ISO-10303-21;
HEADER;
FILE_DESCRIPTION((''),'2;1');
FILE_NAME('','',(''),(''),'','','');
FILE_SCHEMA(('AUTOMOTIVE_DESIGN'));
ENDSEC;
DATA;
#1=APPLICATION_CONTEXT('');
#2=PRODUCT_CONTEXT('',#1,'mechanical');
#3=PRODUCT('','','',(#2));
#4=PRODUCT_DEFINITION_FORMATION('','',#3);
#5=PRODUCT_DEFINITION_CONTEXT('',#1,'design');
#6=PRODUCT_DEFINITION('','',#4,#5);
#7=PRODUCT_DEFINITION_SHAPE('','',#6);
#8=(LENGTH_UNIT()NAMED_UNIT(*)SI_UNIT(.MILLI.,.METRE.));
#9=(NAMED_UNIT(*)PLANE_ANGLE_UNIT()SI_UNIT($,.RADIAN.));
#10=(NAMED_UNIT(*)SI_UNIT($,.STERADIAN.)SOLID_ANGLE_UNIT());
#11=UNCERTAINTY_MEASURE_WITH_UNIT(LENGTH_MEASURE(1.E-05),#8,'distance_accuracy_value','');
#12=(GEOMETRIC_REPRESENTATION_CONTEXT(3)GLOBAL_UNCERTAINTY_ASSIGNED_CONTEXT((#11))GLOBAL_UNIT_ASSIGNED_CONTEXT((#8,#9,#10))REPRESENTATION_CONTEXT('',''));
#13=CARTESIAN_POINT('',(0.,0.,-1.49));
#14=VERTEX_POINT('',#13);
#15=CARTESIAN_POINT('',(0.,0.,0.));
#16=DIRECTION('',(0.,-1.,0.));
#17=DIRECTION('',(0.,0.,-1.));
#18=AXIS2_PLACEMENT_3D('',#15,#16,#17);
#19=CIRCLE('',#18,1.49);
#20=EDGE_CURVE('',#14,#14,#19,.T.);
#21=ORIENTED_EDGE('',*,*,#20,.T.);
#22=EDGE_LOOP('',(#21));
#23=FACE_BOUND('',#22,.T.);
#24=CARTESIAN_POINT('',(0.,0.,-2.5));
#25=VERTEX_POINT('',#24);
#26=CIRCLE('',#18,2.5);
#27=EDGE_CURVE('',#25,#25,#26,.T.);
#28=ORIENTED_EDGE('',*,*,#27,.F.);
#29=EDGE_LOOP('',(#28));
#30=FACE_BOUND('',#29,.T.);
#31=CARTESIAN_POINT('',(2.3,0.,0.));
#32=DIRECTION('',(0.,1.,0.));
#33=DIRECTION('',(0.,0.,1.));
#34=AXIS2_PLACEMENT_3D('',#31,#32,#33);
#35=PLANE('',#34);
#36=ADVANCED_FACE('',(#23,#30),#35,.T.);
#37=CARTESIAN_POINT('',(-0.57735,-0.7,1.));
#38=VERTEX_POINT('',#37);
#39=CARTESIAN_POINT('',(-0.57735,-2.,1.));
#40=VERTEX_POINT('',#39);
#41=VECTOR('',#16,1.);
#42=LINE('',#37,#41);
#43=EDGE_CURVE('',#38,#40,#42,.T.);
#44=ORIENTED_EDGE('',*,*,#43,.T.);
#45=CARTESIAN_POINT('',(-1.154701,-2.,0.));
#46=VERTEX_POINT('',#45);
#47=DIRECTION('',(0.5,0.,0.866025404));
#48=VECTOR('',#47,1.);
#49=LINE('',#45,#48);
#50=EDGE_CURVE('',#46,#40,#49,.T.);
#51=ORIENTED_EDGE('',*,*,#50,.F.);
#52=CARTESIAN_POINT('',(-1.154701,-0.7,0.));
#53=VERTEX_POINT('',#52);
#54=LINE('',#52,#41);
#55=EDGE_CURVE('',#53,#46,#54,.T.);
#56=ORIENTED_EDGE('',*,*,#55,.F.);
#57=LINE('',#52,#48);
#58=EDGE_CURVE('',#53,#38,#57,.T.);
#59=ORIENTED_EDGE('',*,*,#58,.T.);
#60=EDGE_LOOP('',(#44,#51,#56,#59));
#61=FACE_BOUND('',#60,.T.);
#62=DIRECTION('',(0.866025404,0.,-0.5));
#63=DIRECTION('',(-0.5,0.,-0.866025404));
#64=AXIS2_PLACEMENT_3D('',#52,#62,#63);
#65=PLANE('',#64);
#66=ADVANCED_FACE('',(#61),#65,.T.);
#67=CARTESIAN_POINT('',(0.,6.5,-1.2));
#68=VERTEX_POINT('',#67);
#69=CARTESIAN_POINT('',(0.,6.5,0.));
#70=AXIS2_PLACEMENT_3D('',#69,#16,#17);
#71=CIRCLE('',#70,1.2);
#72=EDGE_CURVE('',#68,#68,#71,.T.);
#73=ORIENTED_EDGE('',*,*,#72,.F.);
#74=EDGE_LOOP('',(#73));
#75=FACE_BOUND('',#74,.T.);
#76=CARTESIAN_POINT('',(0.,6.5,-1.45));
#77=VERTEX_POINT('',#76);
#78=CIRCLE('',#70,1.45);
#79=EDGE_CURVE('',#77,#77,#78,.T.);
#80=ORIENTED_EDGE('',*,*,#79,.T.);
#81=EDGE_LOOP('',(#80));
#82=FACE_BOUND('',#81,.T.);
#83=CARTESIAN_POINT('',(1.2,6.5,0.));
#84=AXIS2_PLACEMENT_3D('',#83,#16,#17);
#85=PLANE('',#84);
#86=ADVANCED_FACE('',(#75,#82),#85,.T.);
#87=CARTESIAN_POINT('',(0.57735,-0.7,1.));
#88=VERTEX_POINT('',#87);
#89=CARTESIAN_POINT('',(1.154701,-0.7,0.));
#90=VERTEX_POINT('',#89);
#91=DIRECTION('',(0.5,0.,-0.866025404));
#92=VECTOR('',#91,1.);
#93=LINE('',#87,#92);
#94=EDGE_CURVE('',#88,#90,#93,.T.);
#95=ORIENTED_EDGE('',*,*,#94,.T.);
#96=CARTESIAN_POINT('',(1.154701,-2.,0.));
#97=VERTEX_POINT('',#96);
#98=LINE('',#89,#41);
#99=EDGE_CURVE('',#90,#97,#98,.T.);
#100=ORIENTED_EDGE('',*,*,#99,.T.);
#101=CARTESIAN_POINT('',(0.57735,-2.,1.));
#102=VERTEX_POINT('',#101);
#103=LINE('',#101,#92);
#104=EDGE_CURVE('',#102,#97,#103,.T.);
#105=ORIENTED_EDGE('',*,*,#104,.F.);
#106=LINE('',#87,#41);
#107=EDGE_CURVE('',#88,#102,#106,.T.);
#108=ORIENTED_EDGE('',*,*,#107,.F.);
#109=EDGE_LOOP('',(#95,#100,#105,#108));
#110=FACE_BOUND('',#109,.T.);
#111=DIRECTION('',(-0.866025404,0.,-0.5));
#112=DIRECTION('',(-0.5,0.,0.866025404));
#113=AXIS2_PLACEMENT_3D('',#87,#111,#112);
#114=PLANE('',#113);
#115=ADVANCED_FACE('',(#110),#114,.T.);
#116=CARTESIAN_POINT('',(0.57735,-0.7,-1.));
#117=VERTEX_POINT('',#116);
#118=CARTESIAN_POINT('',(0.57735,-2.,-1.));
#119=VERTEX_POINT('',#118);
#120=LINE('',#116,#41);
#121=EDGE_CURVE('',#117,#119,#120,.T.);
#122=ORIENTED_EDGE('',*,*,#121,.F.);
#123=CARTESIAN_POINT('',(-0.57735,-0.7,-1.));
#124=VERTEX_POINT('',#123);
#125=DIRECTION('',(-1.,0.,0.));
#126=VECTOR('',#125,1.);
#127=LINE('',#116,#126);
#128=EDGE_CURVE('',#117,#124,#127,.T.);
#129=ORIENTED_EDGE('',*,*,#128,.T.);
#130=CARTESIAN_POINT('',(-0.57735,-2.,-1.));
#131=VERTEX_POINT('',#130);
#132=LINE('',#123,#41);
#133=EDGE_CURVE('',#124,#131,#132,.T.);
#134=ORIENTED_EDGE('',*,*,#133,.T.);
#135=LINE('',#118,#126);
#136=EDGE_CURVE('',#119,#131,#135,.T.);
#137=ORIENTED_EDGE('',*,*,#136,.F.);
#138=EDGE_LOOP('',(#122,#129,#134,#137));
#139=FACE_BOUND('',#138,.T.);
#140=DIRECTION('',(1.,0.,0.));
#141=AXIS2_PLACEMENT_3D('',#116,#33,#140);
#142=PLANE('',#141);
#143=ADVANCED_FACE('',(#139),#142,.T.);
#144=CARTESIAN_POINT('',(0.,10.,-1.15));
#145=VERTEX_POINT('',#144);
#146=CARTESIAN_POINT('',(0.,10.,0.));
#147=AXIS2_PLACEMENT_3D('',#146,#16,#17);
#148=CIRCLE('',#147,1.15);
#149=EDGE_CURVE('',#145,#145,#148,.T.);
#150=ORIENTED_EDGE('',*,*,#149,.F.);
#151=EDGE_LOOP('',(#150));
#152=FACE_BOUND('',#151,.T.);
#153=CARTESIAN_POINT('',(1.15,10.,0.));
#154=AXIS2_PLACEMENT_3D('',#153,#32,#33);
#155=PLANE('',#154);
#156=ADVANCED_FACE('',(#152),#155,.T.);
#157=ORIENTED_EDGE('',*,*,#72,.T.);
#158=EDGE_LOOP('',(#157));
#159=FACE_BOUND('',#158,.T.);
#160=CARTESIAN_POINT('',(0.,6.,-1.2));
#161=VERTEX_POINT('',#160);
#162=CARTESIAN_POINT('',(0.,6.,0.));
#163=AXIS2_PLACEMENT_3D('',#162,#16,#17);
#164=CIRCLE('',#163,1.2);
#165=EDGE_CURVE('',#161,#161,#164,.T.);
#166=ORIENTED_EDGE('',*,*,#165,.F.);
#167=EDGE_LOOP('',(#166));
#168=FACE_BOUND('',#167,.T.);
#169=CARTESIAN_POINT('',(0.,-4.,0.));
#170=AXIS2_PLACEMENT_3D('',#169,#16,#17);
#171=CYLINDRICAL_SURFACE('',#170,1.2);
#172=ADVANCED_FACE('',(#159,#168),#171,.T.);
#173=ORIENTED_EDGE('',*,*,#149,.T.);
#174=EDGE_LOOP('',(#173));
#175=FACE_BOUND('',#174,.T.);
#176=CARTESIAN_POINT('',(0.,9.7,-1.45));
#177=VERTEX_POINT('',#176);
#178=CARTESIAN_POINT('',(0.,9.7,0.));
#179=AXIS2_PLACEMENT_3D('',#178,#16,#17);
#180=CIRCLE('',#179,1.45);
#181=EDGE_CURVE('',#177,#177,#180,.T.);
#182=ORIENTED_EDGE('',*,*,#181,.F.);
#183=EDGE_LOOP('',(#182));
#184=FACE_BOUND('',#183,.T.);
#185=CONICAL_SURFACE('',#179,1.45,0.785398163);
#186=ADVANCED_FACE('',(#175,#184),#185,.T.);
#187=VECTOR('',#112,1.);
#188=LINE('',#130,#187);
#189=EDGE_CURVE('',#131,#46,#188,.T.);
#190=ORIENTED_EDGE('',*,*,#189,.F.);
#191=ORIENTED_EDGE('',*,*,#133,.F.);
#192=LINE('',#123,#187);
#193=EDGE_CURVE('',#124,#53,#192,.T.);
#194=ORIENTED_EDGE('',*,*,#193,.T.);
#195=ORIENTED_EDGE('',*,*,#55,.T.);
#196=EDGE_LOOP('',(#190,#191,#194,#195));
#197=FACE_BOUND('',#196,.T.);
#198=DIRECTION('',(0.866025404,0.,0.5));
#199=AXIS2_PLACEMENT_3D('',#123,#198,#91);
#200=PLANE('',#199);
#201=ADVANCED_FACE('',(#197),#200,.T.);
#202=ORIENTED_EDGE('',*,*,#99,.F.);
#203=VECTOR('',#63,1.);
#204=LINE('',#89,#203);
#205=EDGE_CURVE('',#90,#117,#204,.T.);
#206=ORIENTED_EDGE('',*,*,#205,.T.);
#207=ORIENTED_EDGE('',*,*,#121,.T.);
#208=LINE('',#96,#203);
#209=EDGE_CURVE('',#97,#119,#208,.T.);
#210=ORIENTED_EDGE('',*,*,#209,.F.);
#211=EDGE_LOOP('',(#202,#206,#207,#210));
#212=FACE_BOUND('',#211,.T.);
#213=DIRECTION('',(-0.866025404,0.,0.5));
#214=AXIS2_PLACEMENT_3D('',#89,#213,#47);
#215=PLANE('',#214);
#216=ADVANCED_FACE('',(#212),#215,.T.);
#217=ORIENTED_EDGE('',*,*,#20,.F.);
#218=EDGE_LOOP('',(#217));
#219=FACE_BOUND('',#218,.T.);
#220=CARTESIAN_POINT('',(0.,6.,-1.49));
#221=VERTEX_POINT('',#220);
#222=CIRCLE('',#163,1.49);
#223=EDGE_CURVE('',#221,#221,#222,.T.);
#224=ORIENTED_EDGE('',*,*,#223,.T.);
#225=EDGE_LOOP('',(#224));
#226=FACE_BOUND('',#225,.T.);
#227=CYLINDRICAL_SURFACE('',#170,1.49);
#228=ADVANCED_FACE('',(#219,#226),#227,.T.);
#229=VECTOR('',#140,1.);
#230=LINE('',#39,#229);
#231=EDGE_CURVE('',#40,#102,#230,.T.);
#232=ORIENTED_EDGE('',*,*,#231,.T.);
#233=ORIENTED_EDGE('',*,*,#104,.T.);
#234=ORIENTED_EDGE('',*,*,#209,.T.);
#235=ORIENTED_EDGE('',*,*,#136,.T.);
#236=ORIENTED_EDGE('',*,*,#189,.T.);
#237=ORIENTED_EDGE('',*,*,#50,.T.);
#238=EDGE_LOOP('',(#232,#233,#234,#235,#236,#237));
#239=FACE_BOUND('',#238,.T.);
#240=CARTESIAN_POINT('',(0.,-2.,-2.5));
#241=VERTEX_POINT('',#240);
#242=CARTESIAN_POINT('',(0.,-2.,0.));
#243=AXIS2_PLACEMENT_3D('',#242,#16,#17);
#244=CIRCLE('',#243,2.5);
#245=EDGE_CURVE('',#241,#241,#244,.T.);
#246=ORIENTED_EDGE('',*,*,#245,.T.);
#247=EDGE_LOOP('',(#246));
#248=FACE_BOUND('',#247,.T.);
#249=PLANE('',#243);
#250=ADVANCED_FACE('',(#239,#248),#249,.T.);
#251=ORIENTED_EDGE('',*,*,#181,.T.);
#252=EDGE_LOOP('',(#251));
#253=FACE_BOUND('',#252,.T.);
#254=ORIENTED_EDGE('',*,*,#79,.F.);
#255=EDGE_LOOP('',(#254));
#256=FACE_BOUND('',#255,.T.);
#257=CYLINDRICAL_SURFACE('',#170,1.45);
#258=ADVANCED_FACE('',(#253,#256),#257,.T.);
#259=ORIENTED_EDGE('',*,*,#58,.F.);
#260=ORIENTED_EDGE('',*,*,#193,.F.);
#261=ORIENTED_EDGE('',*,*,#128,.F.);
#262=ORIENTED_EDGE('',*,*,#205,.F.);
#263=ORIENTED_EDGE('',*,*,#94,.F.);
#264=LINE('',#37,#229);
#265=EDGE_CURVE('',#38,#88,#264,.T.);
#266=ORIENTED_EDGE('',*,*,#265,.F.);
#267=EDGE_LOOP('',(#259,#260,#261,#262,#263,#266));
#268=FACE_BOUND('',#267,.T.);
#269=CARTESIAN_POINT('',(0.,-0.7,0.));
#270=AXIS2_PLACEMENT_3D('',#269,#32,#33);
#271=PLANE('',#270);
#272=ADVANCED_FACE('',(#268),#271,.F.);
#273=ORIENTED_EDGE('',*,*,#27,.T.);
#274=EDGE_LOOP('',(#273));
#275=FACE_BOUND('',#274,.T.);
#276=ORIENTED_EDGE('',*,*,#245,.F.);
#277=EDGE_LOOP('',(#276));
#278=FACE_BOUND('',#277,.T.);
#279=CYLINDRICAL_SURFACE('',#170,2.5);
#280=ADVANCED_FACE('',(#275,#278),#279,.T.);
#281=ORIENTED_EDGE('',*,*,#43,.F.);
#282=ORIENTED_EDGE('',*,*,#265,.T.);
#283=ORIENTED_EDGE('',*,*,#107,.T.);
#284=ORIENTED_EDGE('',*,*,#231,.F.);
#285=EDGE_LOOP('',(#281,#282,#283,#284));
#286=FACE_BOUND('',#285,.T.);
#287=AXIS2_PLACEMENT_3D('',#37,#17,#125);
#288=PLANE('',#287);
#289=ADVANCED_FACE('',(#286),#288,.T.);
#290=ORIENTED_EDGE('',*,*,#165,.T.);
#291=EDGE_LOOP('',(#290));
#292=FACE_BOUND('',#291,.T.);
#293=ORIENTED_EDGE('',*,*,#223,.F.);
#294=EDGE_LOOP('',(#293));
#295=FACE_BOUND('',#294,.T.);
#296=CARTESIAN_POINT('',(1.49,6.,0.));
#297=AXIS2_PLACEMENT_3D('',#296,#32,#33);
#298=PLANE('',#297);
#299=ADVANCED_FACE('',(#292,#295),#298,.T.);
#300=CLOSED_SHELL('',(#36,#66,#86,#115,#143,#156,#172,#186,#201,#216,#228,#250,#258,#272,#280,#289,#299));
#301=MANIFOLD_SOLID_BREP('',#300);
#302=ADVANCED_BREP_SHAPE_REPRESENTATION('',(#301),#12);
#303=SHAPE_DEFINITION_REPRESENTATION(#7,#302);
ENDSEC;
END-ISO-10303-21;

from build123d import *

# Parameters (mm, degrees)
ENL_V_START             = -2
ENL_V_MAT_EXTRU_1_DEPTH = 1.3


with BuildPart() as part:
    # Esquisse1 → Révolution1 (revolve)
    with BuildSketch(Plane.XY, mode=Mode.PRIVATE) as r_volution1_sk:
        Polygon((0, -2), (2.5, -2), (2.5, 0), (2.3, 0), (1.49, 0), (1.49, 6), (1.2, 6), (1.2, 6.5), (1.45, 6.5), (1.45, 9.7), (1.15, 10), (0, 10), align=None)
    revolve(r_volution1_sk.sketch.rotate(Axis((0, -4, 0), (0, 1, 0)), 90), axis=Axis((0, -4, 0), (0, 1, 0)))

    # Esquisse2 → Enlèv. mat.-Extru.1 (cut)
    with BuildSketch(Plane(origin=(0, 0, 0), x_dir=(1, 0, 0), z_dir=(0, 1, 0)).offset(ENL_V_START)):
        Polygon((1.154700538, 0), (0.577350269, 1), (-0.577350269, 1), (-1.154700538, 0), (-0.577350269, -1), (0.577350269, -1), align=None)
    extrude(amount=ENL_V_MAT_EXTRU_1_DEPTH, mode=Mode.SUBTRACT)


solid = part.part
